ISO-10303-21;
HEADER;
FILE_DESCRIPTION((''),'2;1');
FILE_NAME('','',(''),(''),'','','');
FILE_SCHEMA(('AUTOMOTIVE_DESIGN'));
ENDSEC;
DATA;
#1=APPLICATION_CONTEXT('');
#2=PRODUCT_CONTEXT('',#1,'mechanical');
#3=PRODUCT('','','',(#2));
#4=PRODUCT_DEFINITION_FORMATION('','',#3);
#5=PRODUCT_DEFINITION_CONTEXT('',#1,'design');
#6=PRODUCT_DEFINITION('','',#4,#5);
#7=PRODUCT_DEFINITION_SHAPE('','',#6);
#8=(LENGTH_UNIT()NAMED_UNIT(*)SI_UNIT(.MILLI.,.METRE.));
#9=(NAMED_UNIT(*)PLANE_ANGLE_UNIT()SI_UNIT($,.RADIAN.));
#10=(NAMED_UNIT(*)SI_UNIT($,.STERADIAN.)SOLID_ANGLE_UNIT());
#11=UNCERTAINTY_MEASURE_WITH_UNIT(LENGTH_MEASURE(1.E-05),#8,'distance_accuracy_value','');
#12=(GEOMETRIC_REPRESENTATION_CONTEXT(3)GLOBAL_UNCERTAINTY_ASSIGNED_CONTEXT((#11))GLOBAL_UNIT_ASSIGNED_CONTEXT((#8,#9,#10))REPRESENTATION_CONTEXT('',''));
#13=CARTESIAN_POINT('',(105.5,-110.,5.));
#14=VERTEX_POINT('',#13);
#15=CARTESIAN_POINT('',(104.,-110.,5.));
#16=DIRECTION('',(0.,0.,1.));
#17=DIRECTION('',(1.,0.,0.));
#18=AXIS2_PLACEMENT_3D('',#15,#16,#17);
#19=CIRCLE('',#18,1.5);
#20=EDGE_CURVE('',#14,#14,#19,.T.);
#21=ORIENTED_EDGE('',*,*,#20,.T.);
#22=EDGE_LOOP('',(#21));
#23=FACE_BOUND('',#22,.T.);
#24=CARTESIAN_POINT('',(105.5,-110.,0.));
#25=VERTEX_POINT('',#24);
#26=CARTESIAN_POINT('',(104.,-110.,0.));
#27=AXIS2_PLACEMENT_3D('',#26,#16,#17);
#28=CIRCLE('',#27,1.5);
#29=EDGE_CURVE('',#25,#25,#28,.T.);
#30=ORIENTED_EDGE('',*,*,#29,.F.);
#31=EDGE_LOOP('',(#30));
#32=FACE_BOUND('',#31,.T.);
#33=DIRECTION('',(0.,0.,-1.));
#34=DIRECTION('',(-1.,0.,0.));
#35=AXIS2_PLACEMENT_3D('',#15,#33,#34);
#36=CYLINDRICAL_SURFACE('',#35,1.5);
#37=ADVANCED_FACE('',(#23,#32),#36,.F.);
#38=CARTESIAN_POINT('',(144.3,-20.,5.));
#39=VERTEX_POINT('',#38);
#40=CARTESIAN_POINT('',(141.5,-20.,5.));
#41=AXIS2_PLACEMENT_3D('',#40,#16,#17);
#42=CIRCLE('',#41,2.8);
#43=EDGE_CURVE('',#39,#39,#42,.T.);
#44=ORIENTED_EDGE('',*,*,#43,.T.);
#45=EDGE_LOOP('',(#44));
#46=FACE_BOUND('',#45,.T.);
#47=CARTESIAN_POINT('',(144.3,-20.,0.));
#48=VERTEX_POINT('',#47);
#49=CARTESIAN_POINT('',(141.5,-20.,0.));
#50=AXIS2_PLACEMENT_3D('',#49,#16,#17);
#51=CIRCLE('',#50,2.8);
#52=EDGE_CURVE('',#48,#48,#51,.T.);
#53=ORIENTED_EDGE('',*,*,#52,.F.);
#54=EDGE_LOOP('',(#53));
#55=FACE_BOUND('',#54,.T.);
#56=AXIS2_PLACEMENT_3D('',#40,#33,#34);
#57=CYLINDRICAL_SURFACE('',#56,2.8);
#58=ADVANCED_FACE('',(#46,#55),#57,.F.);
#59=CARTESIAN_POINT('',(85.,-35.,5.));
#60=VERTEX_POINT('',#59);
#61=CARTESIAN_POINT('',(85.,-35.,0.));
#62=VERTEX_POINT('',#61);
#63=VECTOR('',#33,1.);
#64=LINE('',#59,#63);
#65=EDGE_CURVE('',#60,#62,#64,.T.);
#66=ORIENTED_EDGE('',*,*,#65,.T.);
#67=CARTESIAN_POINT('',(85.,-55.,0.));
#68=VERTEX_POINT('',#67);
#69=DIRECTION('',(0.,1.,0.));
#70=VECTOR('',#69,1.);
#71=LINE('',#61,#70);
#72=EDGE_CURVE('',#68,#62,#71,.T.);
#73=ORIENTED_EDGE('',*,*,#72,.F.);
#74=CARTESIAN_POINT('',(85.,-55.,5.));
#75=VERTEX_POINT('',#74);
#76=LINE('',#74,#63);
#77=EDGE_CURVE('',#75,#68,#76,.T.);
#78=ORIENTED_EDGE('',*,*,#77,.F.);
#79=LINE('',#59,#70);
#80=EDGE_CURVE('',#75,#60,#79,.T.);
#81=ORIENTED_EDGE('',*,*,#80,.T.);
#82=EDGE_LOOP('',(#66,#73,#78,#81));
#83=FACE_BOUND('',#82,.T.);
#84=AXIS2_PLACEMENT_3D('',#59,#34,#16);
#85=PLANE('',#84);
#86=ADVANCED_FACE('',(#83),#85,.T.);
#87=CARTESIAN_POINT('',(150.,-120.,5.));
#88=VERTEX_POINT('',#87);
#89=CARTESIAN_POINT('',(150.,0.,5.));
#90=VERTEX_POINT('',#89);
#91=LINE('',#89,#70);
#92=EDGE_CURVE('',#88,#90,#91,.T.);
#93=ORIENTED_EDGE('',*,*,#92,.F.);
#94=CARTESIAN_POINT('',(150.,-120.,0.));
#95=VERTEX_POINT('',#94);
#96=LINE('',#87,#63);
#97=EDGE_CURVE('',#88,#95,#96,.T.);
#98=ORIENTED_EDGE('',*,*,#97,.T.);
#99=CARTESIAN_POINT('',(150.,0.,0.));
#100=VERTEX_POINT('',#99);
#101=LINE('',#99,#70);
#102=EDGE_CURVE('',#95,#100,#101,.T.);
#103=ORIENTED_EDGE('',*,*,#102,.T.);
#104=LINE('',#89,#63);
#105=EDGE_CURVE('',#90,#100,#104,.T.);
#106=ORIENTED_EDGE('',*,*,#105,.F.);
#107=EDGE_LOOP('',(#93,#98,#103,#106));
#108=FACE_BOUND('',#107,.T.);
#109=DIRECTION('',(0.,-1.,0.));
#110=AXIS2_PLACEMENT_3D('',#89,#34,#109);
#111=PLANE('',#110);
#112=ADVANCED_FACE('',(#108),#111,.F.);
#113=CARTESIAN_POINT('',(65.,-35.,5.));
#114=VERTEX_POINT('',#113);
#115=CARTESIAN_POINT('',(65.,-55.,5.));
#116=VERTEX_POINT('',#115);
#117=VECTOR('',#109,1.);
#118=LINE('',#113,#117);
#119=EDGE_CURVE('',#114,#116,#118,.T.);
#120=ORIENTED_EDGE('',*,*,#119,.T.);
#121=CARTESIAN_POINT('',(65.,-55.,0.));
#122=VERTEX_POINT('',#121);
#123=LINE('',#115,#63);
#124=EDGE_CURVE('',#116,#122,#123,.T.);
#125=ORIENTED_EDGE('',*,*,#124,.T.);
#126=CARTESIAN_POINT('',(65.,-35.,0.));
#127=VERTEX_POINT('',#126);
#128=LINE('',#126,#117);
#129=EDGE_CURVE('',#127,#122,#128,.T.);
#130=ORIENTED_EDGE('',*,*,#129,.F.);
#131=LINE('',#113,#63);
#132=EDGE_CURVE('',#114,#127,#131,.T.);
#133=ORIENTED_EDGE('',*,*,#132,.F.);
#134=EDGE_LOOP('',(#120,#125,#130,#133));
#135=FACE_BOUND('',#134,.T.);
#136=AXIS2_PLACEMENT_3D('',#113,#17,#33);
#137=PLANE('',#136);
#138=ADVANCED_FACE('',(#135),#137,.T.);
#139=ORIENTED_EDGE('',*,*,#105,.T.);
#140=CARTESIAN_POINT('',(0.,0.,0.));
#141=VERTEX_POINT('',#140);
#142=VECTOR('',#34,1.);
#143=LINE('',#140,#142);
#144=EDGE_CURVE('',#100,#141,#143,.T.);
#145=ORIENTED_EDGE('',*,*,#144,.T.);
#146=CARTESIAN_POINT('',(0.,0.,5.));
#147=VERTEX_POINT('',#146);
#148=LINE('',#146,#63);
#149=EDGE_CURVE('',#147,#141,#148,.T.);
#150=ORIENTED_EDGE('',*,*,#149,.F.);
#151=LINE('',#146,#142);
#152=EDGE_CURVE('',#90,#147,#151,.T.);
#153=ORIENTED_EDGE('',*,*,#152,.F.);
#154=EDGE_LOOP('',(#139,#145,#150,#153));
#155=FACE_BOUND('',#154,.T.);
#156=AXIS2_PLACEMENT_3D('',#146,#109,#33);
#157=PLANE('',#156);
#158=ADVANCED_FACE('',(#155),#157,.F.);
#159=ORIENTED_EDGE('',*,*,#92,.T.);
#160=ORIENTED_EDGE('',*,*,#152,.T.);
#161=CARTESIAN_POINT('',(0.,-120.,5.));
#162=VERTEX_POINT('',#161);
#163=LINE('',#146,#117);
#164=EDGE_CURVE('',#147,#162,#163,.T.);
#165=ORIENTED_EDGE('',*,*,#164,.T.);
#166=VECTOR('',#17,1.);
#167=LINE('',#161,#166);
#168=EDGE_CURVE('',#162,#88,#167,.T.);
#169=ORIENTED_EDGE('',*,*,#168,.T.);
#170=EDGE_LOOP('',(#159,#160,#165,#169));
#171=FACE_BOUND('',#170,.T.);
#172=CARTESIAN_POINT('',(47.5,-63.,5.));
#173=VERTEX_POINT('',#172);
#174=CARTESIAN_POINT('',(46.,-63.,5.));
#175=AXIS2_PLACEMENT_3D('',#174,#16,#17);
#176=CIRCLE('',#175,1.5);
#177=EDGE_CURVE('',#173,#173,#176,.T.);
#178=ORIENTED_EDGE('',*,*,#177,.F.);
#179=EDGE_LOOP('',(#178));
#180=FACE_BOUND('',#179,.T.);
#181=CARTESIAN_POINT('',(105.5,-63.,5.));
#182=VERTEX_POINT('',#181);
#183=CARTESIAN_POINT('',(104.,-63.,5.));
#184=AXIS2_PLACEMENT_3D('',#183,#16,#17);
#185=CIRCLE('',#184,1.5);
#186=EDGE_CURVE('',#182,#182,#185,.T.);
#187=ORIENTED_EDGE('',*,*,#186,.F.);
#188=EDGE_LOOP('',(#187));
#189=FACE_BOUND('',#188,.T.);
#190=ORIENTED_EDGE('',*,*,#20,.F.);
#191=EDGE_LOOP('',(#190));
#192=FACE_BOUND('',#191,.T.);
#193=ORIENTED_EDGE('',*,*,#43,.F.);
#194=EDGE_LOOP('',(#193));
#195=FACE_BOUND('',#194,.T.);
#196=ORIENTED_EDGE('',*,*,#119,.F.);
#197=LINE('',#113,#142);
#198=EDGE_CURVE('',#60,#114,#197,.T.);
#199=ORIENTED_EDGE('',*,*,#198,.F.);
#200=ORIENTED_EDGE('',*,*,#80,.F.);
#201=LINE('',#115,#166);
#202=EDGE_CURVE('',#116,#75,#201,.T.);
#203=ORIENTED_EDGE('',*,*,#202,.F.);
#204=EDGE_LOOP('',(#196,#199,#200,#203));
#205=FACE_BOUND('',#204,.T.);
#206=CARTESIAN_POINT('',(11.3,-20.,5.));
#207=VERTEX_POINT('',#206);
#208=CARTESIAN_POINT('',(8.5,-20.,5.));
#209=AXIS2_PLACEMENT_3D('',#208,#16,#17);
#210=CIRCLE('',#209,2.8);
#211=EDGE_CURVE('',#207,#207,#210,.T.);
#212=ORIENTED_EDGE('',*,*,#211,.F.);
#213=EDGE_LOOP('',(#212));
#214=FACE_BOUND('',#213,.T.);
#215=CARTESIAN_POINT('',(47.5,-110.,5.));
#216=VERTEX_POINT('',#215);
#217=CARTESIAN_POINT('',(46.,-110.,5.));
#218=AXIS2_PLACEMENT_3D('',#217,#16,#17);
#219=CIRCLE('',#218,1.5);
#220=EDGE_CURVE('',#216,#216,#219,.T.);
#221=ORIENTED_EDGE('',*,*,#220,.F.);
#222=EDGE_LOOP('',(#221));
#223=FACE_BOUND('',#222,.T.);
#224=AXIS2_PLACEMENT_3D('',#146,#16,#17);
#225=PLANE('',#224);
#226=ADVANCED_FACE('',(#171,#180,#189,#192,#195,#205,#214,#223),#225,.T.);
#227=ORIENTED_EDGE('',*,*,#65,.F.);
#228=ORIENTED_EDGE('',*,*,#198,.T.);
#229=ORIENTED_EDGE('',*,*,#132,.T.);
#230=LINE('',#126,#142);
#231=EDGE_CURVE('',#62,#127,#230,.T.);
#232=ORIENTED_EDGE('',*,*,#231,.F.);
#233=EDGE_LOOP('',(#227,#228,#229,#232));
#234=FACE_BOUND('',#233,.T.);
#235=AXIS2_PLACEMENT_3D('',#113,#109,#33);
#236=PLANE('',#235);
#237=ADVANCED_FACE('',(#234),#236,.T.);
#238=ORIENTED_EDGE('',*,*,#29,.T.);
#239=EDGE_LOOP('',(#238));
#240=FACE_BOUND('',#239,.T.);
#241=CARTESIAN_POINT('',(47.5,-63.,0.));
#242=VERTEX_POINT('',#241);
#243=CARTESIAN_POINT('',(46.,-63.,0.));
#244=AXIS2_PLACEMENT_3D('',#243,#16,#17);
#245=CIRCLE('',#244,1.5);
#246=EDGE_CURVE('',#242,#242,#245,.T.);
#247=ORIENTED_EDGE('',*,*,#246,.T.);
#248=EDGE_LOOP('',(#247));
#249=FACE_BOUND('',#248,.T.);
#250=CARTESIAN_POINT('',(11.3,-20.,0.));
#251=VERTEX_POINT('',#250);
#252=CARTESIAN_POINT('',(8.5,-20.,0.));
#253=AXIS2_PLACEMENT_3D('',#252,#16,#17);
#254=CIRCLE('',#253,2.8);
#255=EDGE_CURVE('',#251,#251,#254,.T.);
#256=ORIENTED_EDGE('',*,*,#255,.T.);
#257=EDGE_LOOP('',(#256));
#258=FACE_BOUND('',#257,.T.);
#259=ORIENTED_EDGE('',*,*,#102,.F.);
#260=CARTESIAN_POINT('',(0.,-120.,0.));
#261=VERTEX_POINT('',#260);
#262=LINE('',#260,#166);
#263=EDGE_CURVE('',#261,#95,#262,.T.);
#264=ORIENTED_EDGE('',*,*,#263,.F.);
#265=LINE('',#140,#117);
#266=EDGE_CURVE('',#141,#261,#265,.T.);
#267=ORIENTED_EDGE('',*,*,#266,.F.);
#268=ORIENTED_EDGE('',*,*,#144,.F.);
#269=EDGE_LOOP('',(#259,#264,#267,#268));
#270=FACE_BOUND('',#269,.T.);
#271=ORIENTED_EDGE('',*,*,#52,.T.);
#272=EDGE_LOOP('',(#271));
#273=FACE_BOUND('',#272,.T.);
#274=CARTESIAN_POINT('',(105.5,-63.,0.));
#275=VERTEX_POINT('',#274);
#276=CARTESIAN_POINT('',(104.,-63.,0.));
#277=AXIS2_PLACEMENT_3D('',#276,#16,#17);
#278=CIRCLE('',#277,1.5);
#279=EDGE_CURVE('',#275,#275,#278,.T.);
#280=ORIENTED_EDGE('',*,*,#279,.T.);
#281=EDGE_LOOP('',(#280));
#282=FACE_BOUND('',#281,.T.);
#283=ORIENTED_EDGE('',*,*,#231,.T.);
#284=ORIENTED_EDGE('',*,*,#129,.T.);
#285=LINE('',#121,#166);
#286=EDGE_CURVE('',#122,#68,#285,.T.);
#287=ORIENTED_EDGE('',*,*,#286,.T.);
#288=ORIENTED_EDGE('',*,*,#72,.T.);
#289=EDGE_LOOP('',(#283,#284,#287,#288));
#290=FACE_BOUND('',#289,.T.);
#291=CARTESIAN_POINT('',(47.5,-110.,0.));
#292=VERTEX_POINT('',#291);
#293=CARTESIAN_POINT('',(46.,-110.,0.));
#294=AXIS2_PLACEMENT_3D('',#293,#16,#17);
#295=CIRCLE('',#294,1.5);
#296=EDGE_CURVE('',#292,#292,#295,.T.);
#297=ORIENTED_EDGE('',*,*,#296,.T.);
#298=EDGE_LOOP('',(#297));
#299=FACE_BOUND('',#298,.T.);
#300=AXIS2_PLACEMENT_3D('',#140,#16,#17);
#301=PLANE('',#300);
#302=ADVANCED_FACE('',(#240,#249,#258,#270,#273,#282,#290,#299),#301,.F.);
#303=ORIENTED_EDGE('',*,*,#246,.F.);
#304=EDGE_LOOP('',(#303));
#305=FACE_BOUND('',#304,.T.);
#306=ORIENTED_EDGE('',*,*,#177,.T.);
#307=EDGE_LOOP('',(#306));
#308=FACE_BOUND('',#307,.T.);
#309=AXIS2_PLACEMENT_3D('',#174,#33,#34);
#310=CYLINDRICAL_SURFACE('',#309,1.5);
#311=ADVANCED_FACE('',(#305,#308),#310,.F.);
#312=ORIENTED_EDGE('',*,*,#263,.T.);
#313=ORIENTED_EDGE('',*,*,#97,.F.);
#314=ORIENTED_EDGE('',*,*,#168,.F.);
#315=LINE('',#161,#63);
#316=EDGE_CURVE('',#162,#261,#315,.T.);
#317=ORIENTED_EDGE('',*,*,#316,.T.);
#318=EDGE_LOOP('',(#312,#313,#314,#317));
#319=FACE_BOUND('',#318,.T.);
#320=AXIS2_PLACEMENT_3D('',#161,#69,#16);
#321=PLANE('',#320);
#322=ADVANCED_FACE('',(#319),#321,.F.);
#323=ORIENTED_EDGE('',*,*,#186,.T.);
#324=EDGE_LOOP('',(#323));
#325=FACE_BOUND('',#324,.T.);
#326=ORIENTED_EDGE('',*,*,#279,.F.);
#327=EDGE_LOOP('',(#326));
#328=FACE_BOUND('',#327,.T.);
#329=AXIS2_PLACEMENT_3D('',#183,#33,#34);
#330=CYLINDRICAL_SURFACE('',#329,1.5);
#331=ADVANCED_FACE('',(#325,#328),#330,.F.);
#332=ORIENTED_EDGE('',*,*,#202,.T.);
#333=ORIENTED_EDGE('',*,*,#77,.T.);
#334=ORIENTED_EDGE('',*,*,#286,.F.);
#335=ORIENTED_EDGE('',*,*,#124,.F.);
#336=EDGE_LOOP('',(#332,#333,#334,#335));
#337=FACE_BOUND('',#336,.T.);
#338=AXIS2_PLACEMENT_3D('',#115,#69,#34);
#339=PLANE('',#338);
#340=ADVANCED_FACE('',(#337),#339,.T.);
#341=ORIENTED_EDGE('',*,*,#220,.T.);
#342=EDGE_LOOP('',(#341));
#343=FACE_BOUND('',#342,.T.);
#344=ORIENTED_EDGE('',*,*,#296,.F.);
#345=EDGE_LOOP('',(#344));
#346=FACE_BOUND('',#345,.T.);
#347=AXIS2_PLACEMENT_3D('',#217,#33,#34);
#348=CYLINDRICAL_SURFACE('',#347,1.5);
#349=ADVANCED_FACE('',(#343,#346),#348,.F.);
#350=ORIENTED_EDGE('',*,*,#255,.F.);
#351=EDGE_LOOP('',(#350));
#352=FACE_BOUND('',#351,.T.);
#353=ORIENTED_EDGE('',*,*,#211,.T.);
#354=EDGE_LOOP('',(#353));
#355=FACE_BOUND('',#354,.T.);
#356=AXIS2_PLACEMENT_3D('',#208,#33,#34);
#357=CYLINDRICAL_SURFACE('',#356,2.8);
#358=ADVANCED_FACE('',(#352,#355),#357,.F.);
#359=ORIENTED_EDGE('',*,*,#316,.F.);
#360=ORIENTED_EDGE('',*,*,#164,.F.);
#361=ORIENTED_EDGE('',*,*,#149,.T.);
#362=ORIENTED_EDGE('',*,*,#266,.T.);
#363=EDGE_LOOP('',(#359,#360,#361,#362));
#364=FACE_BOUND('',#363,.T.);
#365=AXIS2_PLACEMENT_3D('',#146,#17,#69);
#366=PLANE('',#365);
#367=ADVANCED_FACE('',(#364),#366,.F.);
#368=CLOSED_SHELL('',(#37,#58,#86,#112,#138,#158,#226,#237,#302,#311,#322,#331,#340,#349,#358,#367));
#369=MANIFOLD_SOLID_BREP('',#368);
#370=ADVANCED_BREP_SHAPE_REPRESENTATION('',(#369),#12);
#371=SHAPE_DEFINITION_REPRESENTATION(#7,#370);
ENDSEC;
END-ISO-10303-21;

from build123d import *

# Parameters (mm, degrees)
ESQUISSE1_W        = 150
ESQUISSE1_H        = 120
ESQUISSE1_R        = 1.5
ESQUISSE1_R_2      = 2.8
ESQUISSE1_W_2      = 20
ESQUISSE1_H_2      = 20
BOSS_EXTRU_1_DEPTH = 5


with BuildPart() as part:
    # Esquisse1 → Boss.-Extru.1 (new body)
    with BuildSketch(Plane.XY):
        with Locations((75, -60)):
            Rectangle(ESQUISSE1_W, ESQUISSE1_H)
        with Locations((46, -63)):
            Circle(ESQUISSE1_R, mode=Mode.SUBTRACT)
        with Locations((104, -63)):
            Circle(ESQUISSE1_R, mode=Mode.SUBTRACT)
        with Locations((104, -110)):
            Circle(ESQUISSE1_R, mode=Mode.SUBTRACT)
        with Locations((46, -110)):
            Circle(ESQUISSE1_R, mode=Mode.SUBTRACT)
        with Locations((8.5, -20)):
            Circle(ESQUISSE1_R_2, mode=Mode.SUBTRACT)
        with Locations((141.5, -20)):
            Circle(ESQUISSE1_R_2, mode=Mode.SUBTRACT)
        with Locations((75, -45)):
            Rectangle(ESQUISSE1_W_2, ESQUISSE1_H_2, mode=Mode.SUBTRACT)
    extrude(amount=BOSS_EXTRU_1_DEPTH)


solid = part.part
